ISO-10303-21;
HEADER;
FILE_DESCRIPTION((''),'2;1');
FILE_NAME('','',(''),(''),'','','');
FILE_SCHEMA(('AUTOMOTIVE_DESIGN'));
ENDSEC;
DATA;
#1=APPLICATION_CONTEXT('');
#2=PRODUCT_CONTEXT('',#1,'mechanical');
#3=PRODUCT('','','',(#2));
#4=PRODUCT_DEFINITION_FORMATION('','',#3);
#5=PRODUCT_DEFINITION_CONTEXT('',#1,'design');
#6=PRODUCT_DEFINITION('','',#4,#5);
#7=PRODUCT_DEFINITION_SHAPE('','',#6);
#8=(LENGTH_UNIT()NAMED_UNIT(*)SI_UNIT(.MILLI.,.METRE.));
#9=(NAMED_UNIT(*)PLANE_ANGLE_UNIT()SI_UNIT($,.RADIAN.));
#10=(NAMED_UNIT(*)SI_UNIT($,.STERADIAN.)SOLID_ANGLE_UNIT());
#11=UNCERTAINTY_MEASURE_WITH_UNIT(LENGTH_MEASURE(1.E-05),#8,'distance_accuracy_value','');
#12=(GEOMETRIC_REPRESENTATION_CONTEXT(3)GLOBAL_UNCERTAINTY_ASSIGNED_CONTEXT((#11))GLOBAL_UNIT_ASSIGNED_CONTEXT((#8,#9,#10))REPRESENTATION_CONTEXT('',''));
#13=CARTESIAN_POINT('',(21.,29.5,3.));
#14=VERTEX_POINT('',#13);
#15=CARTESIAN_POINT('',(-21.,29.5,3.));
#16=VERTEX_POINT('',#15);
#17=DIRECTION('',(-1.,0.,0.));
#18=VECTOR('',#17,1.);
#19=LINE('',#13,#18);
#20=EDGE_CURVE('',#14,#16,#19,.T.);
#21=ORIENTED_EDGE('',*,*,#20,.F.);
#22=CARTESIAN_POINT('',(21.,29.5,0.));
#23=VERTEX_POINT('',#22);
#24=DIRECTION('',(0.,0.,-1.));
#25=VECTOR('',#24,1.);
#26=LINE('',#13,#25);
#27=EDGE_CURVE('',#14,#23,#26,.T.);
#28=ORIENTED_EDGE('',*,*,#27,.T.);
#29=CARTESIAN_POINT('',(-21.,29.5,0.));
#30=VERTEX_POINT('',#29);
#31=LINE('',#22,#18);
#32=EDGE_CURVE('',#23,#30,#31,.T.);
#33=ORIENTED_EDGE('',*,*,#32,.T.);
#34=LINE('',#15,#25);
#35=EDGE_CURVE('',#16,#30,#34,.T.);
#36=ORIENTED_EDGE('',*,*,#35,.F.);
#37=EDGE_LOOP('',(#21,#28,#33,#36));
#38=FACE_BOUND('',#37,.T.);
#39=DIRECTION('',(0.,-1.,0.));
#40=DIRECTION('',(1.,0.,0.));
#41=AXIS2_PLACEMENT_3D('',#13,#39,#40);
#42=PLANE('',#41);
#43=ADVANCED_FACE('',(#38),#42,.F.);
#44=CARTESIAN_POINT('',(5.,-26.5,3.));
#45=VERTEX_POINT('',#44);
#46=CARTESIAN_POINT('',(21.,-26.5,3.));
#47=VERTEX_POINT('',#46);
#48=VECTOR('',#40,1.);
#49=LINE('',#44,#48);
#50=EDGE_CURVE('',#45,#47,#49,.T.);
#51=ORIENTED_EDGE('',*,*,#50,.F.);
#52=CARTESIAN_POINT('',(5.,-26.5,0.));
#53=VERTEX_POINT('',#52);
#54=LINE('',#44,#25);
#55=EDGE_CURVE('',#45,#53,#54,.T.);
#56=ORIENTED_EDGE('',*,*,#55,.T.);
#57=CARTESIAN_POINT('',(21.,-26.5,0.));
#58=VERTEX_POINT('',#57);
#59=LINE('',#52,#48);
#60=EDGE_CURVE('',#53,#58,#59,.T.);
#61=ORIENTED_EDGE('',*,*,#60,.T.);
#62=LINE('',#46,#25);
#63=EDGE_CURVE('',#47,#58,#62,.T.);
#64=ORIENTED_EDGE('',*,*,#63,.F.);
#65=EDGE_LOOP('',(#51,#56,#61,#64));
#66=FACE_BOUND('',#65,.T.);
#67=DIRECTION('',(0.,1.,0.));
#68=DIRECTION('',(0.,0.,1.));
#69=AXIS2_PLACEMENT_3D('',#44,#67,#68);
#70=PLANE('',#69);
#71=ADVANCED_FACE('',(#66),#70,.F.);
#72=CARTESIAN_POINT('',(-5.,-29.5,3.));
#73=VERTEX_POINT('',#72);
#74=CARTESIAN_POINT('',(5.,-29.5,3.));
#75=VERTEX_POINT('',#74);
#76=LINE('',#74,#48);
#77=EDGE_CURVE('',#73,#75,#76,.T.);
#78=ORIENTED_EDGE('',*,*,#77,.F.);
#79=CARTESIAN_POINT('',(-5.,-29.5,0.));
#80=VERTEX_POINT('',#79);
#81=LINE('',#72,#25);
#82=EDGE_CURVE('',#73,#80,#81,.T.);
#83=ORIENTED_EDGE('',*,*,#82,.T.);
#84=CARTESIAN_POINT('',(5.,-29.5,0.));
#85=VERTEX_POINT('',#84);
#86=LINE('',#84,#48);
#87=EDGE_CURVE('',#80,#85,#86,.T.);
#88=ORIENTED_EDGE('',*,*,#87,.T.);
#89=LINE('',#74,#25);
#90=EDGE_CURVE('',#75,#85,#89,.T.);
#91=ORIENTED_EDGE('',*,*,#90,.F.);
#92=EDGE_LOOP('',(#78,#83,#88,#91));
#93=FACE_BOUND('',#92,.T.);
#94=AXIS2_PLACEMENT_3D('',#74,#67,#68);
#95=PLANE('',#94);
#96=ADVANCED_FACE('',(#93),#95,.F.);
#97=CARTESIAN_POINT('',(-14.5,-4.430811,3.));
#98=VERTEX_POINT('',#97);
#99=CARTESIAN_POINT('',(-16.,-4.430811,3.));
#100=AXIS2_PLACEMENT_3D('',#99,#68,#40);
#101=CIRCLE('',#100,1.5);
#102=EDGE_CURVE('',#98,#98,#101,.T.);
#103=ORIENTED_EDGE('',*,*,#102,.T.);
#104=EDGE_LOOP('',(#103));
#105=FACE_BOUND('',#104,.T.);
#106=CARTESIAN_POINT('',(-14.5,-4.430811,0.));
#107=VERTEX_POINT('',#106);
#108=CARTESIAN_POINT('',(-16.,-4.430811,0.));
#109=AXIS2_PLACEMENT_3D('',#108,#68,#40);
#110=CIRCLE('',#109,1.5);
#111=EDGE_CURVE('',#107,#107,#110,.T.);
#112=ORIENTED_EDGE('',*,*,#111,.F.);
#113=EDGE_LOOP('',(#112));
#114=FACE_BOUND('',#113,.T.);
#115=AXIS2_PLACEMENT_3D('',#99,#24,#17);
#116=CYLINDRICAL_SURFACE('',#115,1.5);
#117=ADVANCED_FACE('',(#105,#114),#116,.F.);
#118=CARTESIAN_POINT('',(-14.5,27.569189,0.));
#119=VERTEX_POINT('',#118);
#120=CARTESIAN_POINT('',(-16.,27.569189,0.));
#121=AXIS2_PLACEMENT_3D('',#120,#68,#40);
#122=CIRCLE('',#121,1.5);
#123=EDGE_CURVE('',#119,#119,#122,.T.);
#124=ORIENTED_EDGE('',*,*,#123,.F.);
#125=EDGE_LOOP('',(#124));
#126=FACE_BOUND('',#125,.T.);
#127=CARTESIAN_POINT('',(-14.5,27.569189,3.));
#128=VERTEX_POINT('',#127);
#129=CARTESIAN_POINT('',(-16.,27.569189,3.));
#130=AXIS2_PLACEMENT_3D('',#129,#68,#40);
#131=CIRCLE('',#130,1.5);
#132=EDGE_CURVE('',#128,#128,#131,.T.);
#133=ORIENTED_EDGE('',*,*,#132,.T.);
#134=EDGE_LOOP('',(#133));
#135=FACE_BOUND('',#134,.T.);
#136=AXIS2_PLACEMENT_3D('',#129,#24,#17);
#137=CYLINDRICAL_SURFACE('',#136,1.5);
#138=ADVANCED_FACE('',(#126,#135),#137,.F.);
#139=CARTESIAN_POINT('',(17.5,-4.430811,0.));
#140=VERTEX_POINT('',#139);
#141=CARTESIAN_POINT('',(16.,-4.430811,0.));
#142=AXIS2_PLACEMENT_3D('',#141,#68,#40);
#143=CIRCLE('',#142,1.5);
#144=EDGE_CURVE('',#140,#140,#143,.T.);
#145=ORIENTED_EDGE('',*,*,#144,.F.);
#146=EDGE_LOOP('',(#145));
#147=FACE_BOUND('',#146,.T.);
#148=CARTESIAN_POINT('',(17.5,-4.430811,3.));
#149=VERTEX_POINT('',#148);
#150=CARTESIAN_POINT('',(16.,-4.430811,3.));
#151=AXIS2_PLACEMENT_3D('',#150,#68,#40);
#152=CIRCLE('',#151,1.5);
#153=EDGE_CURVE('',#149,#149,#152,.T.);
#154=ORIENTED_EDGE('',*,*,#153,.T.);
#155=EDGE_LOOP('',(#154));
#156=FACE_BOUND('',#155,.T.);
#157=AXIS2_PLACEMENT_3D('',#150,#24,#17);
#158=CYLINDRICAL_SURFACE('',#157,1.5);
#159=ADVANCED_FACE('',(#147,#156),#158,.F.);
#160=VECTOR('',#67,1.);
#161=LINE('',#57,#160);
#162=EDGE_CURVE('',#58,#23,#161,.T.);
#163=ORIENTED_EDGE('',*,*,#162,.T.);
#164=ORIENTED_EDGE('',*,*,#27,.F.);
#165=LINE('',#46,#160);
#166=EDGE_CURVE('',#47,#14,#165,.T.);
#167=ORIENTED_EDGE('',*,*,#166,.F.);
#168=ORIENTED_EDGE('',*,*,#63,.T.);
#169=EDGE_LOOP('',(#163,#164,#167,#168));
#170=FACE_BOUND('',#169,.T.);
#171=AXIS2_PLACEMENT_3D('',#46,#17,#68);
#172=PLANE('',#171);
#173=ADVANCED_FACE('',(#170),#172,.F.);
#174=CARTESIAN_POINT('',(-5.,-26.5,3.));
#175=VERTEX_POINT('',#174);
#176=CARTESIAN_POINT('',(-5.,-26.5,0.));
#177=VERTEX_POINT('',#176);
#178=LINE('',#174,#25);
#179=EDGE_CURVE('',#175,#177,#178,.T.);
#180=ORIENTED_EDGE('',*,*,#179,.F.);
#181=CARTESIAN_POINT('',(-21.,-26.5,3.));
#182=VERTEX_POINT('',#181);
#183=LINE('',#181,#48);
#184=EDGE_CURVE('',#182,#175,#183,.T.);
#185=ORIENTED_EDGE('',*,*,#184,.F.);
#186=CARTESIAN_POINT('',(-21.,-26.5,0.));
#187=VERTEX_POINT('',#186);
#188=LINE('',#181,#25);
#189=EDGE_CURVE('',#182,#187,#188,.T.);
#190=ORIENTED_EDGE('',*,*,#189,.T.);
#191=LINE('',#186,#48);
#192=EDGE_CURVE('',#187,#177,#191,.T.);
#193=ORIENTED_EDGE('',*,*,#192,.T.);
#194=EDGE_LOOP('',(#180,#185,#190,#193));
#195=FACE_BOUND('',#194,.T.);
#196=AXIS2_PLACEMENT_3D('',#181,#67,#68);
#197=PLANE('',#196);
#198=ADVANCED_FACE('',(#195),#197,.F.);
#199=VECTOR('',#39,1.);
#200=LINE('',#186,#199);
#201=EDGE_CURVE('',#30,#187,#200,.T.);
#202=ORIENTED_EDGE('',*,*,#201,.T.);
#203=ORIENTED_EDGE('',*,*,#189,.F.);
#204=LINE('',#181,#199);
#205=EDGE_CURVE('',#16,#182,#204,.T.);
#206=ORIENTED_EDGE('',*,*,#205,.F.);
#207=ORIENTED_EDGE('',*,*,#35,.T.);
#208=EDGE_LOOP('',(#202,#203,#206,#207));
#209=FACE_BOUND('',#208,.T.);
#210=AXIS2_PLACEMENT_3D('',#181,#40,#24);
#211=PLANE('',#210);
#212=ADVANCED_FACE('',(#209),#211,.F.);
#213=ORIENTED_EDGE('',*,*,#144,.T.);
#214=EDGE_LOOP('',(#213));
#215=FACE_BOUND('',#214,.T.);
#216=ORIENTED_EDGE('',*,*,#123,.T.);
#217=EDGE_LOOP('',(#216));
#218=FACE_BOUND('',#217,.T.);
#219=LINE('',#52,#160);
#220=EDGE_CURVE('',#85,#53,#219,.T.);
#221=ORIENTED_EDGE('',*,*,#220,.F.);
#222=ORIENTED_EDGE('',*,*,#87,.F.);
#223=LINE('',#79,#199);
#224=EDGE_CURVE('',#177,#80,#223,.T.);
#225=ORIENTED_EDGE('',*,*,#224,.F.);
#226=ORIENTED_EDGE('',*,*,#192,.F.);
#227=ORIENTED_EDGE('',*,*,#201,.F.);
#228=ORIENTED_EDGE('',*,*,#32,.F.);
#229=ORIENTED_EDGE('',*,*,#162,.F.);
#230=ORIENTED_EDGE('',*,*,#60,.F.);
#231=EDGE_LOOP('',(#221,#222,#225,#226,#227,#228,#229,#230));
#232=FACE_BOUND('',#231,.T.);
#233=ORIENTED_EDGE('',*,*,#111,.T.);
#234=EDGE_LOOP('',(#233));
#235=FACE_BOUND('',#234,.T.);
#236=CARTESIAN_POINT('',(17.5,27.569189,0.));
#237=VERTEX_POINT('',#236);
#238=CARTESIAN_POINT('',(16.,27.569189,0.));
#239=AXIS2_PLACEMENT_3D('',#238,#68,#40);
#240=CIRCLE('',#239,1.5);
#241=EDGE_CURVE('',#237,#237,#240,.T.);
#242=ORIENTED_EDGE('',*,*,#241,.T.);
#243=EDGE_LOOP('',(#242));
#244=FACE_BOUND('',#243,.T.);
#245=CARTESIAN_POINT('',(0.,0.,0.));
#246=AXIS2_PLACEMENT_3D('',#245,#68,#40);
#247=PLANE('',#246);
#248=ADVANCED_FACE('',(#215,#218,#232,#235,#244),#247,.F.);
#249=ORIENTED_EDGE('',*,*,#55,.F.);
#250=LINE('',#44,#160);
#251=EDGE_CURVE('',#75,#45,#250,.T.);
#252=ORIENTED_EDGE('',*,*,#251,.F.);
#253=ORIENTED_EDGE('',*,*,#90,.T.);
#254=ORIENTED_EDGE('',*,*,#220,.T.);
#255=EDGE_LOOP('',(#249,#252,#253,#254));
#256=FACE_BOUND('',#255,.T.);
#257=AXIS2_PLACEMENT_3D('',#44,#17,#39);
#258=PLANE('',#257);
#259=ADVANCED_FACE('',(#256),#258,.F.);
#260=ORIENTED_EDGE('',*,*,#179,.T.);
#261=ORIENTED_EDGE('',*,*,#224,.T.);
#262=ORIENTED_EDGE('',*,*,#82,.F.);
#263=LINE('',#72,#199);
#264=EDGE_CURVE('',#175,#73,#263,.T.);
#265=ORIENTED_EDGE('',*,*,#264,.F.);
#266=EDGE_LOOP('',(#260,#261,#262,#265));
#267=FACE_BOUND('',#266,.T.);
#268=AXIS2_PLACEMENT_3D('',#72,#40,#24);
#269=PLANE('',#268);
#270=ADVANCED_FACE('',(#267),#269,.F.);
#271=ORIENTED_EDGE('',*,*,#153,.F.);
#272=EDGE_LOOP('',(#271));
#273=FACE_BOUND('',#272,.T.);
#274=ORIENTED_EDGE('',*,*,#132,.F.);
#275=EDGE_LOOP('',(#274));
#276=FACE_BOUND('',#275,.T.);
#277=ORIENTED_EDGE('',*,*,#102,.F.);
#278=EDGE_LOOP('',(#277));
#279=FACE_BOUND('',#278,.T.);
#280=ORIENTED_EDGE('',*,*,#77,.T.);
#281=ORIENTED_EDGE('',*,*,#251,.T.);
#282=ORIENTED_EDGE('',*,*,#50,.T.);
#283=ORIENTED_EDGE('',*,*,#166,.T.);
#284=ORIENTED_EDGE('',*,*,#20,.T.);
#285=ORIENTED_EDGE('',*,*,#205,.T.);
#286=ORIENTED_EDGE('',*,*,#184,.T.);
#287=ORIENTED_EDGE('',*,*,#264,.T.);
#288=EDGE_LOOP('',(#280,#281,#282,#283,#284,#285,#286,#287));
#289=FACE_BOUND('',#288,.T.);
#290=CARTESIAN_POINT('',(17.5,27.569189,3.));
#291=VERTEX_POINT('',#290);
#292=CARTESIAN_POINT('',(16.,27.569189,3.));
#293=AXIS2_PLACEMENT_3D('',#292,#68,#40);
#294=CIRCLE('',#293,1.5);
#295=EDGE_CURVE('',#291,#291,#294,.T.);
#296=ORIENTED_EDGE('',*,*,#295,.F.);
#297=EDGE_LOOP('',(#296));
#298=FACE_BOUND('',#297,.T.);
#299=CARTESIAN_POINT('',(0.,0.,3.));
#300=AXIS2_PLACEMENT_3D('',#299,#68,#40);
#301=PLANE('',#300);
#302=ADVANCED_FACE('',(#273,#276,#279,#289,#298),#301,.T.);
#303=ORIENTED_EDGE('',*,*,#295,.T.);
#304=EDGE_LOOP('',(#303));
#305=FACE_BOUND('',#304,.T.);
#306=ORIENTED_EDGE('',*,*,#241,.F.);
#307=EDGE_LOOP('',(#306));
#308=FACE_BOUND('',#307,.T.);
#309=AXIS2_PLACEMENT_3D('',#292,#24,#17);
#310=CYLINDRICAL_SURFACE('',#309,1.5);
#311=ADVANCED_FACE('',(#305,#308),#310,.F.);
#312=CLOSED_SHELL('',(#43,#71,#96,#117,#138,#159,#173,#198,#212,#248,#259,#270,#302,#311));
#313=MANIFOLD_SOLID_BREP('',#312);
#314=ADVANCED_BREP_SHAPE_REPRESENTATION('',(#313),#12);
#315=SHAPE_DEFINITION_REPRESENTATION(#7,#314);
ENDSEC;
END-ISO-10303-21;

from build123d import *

# Parameters (mm, degrees)
SKETCH1_R           = 1.5
BOSS_EXTRUDE1_DEPTH = 3


with BuildPart() as part:
    # Sketch1 → Boss-Extrude1 (new body)
    with BuildSketch(Plane.XY):
        Polygon((5, -29.5), (-5, -29.5), (-5, -26.5), (-21, -26.5), (-21, 29.5), (21, 29.5), (21, -26.5), (5, -26.5), align=None)
        with Locations((-16, 27.569189012)):
            Circle(SKETCH1_R, mode=Mode.SUBTRACT)
        with Locations((-16, -4.430810988)):
            Circle(SKETCH1_R, mode=Mode.SUBTRACT)
        with Locations((16, -4.430810988)):
            Circle(SKETCH1_R, mode=Mode.SUBTRACT)
        with Locations((16, 27.569189012)):
            Circle(SKETCH1_R, mode=Mode.SUBTRACT)
    extrude(amount=BOSS_EXTRUDE1_DEPTH)


solid = part.part
